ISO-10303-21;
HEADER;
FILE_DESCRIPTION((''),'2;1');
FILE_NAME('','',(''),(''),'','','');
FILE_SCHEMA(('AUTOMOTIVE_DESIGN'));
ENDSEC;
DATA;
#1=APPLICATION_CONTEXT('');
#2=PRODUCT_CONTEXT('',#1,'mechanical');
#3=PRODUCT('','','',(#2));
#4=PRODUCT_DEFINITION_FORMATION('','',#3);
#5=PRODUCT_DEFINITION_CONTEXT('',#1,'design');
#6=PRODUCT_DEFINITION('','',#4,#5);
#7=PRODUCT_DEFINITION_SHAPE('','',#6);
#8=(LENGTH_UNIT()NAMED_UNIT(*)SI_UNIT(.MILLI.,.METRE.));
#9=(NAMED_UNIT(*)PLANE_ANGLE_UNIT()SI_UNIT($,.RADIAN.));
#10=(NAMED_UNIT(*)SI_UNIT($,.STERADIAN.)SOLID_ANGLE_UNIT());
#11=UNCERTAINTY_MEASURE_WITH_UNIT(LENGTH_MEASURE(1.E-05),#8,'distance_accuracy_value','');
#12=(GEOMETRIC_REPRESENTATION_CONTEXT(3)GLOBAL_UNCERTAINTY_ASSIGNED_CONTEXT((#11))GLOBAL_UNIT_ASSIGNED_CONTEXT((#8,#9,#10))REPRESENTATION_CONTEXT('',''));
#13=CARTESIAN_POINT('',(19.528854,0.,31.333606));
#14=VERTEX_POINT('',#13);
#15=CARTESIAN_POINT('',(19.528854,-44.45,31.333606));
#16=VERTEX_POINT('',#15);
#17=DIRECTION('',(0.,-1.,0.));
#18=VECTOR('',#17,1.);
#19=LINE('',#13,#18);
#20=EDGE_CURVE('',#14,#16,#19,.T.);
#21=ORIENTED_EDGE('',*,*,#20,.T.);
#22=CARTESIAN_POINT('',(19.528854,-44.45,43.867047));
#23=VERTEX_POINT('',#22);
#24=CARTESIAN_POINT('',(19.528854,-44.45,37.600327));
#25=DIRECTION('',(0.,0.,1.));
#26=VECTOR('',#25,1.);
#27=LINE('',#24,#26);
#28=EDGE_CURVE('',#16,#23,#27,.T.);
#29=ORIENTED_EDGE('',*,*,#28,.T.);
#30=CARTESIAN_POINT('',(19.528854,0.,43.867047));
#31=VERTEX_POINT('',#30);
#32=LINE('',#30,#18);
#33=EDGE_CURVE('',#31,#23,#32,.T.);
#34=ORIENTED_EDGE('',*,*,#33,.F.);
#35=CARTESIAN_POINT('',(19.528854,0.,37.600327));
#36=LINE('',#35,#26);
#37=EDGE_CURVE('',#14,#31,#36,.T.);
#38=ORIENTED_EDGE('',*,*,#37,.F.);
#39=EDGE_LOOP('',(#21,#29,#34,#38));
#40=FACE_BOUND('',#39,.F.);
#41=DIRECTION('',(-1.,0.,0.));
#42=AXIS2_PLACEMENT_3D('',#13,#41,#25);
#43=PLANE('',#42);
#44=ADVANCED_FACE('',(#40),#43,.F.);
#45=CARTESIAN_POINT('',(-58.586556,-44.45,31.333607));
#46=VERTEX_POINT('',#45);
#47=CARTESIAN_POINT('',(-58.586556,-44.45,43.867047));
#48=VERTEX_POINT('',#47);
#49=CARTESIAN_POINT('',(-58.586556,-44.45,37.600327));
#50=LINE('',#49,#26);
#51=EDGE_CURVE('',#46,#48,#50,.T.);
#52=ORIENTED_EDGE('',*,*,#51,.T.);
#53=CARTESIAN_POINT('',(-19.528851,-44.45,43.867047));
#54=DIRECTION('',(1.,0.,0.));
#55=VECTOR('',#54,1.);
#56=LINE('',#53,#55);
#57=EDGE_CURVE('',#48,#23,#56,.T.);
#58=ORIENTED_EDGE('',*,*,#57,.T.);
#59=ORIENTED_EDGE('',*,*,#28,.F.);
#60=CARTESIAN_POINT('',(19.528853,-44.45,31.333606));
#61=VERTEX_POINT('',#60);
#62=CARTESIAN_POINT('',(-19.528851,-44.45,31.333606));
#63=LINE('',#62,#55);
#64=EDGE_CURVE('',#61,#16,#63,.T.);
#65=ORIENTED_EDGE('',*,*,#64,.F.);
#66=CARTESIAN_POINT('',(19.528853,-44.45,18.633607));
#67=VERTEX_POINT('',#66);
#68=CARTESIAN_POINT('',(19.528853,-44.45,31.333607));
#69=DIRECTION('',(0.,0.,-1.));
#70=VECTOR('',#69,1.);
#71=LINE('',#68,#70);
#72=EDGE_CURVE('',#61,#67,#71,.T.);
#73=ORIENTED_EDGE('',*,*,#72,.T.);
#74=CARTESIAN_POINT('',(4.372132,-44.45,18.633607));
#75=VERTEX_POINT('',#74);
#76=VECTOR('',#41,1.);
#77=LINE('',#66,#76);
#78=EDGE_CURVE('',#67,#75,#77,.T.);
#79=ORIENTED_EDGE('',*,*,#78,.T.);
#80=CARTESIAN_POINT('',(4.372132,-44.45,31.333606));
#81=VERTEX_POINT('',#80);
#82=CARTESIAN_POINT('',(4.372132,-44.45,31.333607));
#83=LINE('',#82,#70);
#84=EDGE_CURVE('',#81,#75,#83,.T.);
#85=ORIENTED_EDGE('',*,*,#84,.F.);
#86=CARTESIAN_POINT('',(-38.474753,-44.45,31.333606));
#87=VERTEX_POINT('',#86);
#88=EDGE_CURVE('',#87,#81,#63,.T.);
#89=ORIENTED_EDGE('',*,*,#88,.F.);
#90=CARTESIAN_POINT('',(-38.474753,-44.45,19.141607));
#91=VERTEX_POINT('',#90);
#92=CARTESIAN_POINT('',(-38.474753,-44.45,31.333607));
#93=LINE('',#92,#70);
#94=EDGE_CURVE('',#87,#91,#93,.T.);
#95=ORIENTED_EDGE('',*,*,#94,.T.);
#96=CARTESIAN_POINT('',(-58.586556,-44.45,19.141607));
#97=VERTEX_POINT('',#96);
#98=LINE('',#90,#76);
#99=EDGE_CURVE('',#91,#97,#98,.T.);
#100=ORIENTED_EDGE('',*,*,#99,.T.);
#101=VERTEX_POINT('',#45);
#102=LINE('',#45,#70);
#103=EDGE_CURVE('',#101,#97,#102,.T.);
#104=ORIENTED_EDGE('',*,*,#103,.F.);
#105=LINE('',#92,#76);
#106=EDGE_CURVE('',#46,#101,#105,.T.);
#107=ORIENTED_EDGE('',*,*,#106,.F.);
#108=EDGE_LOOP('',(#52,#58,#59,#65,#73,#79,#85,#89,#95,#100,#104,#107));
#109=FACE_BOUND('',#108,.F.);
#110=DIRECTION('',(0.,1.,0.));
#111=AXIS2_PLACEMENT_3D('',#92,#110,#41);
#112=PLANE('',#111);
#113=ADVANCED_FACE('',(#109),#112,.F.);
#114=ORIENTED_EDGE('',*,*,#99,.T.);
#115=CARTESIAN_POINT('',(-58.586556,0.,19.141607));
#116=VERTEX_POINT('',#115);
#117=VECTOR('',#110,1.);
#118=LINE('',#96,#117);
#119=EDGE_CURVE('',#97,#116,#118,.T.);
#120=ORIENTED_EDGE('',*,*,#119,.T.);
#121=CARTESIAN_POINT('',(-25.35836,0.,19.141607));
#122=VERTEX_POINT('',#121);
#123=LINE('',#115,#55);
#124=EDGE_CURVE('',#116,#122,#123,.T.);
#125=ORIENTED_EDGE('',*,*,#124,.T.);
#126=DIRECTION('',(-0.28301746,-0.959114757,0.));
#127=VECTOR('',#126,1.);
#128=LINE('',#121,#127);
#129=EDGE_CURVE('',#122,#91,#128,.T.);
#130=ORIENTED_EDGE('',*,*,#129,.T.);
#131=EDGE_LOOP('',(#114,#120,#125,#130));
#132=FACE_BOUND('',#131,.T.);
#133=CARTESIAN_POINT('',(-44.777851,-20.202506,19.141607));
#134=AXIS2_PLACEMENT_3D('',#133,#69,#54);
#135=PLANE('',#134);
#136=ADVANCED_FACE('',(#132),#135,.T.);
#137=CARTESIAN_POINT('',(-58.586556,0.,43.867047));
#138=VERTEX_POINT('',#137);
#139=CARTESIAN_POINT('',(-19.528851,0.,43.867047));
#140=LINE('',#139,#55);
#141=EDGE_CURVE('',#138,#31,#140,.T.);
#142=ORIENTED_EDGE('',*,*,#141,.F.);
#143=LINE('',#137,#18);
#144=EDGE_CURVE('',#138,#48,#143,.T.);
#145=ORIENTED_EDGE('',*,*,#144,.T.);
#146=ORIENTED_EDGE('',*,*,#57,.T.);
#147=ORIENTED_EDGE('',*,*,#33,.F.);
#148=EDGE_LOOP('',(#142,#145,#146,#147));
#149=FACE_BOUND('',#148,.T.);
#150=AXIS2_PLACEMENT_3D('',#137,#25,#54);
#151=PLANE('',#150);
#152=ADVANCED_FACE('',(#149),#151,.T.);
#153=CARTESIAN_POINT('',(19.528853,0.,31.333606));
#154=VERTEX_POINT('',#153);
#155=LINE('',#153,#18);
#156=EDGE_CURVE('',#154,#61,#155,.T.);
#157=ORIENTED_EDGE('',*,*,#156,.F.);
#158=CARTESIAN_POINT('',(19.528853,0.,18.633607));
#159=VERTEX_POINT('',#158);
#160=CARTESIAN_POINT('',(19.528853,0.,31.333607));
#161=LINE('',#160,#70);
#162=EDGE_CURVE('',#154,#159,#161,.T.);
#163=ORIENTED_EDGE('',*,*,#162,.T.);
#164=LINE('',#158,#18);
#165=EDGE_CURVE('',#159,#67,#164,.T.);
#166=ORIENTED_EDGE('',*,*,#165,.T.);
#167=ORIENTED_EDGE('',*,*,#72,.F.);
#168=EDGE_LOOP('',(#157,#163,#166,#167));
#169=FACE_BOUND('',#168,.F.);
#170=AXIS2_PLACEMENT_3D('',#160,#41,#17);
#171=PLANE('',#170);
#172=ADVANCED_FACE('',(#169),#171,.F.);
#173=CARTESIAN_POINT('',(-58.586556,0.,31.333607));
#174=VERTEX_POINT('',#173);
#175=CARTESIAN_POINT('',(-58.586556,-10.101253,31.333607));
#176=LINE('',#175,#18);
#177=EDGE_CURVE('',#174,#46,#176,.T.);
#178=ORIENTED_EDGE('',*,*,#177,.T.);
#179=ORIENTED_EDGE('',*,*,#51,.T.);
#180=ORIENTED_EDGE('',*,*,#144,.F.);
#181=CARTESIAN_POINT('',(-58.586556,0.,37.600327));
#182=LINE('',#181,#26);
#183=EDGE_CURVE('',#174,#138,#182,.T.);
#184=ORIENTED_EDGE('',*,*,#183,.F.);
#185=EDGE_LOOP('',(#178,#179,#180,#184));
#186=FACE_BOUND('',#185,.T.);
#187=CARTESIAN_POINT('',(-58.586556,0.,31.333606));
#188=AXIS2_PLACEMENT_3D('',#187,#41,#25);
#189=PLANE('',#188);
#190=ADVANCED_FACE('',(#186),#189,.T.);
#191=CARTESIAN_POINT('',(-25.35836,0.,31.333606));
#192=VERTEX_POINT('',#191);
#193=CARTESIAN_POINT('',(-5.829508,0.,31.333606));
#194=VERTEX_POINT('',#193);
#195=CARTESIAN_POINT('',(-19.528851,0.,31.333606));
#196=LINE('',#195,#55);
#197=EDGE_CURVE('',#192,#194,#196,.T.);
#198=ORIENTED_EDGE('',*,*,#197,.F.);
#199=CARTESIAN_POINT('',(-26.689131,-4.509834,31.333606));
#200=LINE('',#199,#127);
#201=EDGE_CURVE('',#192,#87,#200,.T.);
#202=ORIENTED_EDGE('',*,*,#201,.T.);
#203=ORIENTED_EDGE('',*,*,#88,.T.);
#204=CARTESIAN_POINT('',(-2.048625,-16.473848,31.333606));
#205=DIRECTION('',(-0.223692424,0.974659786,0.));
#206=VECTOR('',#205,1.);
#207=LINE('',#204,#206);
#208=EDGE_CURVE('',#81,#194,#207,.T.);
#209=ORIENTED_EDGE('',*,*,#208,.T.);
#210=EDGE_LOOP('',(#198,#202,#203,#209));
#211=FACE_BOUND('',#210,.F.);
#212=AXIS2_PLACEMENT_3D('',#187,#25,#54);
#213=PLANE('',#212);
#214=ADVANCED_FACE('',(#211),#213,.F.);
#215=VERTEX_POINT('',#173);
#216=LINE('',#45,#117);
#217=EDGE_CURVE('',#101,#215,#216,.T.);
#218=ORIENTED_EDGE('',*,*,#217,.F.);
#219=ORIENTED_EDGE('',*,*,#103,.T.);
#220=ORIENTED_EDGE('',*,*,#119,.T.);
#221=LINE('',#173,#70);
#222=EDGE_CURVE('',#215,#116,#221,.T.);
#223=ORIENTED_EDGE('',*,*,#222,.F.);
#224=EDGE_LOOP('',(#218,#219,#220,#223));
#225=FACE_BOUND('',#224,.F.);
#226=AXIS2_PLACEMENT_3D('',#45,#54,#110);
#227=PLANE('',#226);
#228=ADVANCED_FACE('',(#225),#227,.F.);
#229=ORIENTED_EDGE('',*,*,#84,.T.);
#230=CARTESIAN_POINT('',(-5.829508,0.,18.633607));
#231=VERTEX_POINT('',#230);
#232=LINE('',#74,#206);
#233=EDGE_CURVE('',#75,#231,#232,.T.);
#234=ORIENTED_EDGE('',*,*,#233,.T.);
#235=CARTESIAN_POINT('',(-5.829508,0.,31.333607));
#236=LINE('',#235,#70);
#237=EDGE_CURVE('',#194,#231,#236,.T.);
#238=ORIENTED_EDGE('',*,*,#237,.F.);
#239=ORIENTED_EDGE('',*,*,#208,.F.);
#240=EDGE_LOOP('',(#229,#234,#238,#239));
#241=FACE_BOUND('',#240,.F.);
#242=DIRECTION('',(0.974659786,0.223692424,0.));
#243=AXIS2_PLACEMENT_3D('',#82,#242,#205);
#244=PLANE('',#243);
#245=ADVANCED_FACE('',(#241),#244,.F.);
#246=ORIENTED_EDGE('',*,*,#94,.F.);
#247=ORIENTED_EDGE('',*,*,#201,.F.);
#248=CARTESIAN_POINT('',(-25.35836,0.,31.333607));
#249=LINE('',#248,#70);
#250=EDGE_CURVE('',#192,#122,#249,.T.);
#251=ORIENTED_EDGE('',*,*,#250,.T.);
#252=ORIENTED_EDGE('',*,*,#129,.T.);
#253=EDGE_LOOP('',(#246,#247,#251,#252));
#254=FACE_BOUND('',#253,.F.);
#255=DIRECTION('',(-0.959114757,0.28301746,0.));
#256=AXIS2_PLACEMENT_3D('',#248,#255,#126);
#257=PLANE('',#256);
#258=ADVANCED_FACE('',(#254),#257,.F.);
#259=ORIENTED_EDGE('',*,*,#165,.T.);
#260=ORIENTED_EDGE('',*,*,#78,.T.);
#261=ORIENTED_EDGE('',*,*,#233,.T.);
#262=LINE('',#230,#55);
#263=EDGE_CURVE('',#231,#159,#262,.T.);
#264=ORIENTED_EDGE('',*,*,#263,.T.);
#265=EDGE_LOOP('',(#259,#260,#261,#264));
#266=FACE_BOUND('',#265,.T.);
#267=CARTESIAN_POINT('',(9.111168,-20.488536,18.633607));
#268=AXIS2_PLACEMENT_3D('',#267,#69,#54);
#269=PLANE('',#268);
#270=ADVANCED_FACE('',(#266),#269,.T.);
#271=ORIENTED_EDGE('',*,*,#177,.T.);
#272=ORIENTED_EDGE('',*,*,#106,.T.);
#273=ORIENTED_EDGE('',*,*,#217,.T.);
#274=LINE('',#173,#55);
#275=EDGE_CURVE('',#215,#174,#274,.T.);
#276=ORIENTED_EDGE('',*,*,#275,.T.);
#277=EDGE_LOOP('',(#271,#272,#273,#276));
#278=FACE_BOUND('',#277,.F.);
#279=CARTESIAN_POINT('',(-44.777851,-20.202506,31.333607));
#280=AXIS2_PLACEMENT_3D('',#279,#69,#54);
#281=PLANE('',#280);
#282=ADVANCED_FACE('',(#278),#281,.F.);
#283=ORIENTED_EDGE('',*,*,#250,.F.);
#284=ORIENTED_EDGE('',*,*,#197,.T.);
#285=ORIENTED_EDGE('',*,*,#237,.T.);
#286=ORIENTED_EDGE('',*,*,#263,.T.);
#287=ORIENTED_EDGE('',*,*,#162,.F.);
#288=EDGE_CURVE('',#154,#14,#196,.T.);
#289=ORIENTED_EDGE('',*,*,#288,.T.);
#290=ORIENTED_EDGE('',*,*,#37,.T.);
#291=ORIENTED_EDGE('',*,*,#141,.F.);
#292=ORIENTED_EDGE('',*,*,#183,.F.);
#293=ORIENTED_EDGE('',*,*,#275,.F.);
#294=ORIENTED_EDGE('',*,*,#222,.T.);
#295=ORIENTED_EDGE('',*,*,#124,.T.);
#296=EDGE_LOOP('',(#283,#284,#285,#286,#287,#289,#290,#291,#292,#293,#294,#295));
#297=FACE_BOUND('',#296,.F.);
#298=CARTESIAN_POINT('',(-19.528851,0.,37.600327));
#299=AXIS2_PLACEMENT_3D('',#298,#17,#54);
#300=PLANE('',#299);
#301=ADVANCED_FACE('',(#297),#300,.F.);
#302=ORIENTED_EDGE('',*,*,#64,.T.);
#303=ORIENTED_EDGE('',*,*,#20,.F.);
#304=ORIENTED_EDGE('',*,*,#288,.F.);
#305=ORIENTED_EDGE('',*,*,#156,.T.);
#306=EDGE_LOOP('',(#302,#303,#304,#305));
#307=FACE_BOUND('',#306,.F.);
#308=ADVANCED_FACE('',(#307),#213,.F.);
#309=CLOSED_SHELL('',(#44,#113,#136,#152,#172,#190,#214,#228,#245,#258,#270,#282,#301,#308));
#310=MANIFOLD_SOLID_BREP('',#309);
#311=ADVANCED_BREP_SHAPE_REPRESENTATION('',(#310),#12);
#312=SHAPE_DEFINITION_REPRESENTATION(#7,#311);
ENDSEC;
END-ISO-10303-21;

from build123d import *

# Parameters (mm, degrees)
F0_W     = 78.115409
F0_H     = 12.533441
F1_DEPTH = 44.45
F3_DEPTH = 12.192
F5_DEPTH = 12.7


with BuildPart() as f1:
    # F0 (on Front) → F1 (new body)
    with BuildSketch(Plane.XZ):
        with Locations((-19.528851, 37.600327)):
            Rectangle(F0_W, F0_H)
    extrude(amount=F1_DEPTH)

    # F2 (on face) → F3 (join)
    with BuildSketch(Plane(origin=(0, 0, 31.333607), x_dir=(1, 0, 0), z_dir=(0, 0, -1))):
        Polygon((-25.35836, 0), (-38.474753, 44.45), (-58.586556, 44.45), (-58.586556, 0), align=None)
    extrude(amount=F3_DEPTH)

    # F4 (on face) → F5 (join)
    with BuildSketch(Plane(origin=(0, 0, 31.333607), x_dir=(1, 0, 0), z_dir=(0, 0, -1))):
        Polygon((4.372132, 44.45), (-5.829508, 0), (19.528853, 0), (19.528853, 44.45), align=None)
    extrude(amount=F5_DEPTH)


solid = f1.part
